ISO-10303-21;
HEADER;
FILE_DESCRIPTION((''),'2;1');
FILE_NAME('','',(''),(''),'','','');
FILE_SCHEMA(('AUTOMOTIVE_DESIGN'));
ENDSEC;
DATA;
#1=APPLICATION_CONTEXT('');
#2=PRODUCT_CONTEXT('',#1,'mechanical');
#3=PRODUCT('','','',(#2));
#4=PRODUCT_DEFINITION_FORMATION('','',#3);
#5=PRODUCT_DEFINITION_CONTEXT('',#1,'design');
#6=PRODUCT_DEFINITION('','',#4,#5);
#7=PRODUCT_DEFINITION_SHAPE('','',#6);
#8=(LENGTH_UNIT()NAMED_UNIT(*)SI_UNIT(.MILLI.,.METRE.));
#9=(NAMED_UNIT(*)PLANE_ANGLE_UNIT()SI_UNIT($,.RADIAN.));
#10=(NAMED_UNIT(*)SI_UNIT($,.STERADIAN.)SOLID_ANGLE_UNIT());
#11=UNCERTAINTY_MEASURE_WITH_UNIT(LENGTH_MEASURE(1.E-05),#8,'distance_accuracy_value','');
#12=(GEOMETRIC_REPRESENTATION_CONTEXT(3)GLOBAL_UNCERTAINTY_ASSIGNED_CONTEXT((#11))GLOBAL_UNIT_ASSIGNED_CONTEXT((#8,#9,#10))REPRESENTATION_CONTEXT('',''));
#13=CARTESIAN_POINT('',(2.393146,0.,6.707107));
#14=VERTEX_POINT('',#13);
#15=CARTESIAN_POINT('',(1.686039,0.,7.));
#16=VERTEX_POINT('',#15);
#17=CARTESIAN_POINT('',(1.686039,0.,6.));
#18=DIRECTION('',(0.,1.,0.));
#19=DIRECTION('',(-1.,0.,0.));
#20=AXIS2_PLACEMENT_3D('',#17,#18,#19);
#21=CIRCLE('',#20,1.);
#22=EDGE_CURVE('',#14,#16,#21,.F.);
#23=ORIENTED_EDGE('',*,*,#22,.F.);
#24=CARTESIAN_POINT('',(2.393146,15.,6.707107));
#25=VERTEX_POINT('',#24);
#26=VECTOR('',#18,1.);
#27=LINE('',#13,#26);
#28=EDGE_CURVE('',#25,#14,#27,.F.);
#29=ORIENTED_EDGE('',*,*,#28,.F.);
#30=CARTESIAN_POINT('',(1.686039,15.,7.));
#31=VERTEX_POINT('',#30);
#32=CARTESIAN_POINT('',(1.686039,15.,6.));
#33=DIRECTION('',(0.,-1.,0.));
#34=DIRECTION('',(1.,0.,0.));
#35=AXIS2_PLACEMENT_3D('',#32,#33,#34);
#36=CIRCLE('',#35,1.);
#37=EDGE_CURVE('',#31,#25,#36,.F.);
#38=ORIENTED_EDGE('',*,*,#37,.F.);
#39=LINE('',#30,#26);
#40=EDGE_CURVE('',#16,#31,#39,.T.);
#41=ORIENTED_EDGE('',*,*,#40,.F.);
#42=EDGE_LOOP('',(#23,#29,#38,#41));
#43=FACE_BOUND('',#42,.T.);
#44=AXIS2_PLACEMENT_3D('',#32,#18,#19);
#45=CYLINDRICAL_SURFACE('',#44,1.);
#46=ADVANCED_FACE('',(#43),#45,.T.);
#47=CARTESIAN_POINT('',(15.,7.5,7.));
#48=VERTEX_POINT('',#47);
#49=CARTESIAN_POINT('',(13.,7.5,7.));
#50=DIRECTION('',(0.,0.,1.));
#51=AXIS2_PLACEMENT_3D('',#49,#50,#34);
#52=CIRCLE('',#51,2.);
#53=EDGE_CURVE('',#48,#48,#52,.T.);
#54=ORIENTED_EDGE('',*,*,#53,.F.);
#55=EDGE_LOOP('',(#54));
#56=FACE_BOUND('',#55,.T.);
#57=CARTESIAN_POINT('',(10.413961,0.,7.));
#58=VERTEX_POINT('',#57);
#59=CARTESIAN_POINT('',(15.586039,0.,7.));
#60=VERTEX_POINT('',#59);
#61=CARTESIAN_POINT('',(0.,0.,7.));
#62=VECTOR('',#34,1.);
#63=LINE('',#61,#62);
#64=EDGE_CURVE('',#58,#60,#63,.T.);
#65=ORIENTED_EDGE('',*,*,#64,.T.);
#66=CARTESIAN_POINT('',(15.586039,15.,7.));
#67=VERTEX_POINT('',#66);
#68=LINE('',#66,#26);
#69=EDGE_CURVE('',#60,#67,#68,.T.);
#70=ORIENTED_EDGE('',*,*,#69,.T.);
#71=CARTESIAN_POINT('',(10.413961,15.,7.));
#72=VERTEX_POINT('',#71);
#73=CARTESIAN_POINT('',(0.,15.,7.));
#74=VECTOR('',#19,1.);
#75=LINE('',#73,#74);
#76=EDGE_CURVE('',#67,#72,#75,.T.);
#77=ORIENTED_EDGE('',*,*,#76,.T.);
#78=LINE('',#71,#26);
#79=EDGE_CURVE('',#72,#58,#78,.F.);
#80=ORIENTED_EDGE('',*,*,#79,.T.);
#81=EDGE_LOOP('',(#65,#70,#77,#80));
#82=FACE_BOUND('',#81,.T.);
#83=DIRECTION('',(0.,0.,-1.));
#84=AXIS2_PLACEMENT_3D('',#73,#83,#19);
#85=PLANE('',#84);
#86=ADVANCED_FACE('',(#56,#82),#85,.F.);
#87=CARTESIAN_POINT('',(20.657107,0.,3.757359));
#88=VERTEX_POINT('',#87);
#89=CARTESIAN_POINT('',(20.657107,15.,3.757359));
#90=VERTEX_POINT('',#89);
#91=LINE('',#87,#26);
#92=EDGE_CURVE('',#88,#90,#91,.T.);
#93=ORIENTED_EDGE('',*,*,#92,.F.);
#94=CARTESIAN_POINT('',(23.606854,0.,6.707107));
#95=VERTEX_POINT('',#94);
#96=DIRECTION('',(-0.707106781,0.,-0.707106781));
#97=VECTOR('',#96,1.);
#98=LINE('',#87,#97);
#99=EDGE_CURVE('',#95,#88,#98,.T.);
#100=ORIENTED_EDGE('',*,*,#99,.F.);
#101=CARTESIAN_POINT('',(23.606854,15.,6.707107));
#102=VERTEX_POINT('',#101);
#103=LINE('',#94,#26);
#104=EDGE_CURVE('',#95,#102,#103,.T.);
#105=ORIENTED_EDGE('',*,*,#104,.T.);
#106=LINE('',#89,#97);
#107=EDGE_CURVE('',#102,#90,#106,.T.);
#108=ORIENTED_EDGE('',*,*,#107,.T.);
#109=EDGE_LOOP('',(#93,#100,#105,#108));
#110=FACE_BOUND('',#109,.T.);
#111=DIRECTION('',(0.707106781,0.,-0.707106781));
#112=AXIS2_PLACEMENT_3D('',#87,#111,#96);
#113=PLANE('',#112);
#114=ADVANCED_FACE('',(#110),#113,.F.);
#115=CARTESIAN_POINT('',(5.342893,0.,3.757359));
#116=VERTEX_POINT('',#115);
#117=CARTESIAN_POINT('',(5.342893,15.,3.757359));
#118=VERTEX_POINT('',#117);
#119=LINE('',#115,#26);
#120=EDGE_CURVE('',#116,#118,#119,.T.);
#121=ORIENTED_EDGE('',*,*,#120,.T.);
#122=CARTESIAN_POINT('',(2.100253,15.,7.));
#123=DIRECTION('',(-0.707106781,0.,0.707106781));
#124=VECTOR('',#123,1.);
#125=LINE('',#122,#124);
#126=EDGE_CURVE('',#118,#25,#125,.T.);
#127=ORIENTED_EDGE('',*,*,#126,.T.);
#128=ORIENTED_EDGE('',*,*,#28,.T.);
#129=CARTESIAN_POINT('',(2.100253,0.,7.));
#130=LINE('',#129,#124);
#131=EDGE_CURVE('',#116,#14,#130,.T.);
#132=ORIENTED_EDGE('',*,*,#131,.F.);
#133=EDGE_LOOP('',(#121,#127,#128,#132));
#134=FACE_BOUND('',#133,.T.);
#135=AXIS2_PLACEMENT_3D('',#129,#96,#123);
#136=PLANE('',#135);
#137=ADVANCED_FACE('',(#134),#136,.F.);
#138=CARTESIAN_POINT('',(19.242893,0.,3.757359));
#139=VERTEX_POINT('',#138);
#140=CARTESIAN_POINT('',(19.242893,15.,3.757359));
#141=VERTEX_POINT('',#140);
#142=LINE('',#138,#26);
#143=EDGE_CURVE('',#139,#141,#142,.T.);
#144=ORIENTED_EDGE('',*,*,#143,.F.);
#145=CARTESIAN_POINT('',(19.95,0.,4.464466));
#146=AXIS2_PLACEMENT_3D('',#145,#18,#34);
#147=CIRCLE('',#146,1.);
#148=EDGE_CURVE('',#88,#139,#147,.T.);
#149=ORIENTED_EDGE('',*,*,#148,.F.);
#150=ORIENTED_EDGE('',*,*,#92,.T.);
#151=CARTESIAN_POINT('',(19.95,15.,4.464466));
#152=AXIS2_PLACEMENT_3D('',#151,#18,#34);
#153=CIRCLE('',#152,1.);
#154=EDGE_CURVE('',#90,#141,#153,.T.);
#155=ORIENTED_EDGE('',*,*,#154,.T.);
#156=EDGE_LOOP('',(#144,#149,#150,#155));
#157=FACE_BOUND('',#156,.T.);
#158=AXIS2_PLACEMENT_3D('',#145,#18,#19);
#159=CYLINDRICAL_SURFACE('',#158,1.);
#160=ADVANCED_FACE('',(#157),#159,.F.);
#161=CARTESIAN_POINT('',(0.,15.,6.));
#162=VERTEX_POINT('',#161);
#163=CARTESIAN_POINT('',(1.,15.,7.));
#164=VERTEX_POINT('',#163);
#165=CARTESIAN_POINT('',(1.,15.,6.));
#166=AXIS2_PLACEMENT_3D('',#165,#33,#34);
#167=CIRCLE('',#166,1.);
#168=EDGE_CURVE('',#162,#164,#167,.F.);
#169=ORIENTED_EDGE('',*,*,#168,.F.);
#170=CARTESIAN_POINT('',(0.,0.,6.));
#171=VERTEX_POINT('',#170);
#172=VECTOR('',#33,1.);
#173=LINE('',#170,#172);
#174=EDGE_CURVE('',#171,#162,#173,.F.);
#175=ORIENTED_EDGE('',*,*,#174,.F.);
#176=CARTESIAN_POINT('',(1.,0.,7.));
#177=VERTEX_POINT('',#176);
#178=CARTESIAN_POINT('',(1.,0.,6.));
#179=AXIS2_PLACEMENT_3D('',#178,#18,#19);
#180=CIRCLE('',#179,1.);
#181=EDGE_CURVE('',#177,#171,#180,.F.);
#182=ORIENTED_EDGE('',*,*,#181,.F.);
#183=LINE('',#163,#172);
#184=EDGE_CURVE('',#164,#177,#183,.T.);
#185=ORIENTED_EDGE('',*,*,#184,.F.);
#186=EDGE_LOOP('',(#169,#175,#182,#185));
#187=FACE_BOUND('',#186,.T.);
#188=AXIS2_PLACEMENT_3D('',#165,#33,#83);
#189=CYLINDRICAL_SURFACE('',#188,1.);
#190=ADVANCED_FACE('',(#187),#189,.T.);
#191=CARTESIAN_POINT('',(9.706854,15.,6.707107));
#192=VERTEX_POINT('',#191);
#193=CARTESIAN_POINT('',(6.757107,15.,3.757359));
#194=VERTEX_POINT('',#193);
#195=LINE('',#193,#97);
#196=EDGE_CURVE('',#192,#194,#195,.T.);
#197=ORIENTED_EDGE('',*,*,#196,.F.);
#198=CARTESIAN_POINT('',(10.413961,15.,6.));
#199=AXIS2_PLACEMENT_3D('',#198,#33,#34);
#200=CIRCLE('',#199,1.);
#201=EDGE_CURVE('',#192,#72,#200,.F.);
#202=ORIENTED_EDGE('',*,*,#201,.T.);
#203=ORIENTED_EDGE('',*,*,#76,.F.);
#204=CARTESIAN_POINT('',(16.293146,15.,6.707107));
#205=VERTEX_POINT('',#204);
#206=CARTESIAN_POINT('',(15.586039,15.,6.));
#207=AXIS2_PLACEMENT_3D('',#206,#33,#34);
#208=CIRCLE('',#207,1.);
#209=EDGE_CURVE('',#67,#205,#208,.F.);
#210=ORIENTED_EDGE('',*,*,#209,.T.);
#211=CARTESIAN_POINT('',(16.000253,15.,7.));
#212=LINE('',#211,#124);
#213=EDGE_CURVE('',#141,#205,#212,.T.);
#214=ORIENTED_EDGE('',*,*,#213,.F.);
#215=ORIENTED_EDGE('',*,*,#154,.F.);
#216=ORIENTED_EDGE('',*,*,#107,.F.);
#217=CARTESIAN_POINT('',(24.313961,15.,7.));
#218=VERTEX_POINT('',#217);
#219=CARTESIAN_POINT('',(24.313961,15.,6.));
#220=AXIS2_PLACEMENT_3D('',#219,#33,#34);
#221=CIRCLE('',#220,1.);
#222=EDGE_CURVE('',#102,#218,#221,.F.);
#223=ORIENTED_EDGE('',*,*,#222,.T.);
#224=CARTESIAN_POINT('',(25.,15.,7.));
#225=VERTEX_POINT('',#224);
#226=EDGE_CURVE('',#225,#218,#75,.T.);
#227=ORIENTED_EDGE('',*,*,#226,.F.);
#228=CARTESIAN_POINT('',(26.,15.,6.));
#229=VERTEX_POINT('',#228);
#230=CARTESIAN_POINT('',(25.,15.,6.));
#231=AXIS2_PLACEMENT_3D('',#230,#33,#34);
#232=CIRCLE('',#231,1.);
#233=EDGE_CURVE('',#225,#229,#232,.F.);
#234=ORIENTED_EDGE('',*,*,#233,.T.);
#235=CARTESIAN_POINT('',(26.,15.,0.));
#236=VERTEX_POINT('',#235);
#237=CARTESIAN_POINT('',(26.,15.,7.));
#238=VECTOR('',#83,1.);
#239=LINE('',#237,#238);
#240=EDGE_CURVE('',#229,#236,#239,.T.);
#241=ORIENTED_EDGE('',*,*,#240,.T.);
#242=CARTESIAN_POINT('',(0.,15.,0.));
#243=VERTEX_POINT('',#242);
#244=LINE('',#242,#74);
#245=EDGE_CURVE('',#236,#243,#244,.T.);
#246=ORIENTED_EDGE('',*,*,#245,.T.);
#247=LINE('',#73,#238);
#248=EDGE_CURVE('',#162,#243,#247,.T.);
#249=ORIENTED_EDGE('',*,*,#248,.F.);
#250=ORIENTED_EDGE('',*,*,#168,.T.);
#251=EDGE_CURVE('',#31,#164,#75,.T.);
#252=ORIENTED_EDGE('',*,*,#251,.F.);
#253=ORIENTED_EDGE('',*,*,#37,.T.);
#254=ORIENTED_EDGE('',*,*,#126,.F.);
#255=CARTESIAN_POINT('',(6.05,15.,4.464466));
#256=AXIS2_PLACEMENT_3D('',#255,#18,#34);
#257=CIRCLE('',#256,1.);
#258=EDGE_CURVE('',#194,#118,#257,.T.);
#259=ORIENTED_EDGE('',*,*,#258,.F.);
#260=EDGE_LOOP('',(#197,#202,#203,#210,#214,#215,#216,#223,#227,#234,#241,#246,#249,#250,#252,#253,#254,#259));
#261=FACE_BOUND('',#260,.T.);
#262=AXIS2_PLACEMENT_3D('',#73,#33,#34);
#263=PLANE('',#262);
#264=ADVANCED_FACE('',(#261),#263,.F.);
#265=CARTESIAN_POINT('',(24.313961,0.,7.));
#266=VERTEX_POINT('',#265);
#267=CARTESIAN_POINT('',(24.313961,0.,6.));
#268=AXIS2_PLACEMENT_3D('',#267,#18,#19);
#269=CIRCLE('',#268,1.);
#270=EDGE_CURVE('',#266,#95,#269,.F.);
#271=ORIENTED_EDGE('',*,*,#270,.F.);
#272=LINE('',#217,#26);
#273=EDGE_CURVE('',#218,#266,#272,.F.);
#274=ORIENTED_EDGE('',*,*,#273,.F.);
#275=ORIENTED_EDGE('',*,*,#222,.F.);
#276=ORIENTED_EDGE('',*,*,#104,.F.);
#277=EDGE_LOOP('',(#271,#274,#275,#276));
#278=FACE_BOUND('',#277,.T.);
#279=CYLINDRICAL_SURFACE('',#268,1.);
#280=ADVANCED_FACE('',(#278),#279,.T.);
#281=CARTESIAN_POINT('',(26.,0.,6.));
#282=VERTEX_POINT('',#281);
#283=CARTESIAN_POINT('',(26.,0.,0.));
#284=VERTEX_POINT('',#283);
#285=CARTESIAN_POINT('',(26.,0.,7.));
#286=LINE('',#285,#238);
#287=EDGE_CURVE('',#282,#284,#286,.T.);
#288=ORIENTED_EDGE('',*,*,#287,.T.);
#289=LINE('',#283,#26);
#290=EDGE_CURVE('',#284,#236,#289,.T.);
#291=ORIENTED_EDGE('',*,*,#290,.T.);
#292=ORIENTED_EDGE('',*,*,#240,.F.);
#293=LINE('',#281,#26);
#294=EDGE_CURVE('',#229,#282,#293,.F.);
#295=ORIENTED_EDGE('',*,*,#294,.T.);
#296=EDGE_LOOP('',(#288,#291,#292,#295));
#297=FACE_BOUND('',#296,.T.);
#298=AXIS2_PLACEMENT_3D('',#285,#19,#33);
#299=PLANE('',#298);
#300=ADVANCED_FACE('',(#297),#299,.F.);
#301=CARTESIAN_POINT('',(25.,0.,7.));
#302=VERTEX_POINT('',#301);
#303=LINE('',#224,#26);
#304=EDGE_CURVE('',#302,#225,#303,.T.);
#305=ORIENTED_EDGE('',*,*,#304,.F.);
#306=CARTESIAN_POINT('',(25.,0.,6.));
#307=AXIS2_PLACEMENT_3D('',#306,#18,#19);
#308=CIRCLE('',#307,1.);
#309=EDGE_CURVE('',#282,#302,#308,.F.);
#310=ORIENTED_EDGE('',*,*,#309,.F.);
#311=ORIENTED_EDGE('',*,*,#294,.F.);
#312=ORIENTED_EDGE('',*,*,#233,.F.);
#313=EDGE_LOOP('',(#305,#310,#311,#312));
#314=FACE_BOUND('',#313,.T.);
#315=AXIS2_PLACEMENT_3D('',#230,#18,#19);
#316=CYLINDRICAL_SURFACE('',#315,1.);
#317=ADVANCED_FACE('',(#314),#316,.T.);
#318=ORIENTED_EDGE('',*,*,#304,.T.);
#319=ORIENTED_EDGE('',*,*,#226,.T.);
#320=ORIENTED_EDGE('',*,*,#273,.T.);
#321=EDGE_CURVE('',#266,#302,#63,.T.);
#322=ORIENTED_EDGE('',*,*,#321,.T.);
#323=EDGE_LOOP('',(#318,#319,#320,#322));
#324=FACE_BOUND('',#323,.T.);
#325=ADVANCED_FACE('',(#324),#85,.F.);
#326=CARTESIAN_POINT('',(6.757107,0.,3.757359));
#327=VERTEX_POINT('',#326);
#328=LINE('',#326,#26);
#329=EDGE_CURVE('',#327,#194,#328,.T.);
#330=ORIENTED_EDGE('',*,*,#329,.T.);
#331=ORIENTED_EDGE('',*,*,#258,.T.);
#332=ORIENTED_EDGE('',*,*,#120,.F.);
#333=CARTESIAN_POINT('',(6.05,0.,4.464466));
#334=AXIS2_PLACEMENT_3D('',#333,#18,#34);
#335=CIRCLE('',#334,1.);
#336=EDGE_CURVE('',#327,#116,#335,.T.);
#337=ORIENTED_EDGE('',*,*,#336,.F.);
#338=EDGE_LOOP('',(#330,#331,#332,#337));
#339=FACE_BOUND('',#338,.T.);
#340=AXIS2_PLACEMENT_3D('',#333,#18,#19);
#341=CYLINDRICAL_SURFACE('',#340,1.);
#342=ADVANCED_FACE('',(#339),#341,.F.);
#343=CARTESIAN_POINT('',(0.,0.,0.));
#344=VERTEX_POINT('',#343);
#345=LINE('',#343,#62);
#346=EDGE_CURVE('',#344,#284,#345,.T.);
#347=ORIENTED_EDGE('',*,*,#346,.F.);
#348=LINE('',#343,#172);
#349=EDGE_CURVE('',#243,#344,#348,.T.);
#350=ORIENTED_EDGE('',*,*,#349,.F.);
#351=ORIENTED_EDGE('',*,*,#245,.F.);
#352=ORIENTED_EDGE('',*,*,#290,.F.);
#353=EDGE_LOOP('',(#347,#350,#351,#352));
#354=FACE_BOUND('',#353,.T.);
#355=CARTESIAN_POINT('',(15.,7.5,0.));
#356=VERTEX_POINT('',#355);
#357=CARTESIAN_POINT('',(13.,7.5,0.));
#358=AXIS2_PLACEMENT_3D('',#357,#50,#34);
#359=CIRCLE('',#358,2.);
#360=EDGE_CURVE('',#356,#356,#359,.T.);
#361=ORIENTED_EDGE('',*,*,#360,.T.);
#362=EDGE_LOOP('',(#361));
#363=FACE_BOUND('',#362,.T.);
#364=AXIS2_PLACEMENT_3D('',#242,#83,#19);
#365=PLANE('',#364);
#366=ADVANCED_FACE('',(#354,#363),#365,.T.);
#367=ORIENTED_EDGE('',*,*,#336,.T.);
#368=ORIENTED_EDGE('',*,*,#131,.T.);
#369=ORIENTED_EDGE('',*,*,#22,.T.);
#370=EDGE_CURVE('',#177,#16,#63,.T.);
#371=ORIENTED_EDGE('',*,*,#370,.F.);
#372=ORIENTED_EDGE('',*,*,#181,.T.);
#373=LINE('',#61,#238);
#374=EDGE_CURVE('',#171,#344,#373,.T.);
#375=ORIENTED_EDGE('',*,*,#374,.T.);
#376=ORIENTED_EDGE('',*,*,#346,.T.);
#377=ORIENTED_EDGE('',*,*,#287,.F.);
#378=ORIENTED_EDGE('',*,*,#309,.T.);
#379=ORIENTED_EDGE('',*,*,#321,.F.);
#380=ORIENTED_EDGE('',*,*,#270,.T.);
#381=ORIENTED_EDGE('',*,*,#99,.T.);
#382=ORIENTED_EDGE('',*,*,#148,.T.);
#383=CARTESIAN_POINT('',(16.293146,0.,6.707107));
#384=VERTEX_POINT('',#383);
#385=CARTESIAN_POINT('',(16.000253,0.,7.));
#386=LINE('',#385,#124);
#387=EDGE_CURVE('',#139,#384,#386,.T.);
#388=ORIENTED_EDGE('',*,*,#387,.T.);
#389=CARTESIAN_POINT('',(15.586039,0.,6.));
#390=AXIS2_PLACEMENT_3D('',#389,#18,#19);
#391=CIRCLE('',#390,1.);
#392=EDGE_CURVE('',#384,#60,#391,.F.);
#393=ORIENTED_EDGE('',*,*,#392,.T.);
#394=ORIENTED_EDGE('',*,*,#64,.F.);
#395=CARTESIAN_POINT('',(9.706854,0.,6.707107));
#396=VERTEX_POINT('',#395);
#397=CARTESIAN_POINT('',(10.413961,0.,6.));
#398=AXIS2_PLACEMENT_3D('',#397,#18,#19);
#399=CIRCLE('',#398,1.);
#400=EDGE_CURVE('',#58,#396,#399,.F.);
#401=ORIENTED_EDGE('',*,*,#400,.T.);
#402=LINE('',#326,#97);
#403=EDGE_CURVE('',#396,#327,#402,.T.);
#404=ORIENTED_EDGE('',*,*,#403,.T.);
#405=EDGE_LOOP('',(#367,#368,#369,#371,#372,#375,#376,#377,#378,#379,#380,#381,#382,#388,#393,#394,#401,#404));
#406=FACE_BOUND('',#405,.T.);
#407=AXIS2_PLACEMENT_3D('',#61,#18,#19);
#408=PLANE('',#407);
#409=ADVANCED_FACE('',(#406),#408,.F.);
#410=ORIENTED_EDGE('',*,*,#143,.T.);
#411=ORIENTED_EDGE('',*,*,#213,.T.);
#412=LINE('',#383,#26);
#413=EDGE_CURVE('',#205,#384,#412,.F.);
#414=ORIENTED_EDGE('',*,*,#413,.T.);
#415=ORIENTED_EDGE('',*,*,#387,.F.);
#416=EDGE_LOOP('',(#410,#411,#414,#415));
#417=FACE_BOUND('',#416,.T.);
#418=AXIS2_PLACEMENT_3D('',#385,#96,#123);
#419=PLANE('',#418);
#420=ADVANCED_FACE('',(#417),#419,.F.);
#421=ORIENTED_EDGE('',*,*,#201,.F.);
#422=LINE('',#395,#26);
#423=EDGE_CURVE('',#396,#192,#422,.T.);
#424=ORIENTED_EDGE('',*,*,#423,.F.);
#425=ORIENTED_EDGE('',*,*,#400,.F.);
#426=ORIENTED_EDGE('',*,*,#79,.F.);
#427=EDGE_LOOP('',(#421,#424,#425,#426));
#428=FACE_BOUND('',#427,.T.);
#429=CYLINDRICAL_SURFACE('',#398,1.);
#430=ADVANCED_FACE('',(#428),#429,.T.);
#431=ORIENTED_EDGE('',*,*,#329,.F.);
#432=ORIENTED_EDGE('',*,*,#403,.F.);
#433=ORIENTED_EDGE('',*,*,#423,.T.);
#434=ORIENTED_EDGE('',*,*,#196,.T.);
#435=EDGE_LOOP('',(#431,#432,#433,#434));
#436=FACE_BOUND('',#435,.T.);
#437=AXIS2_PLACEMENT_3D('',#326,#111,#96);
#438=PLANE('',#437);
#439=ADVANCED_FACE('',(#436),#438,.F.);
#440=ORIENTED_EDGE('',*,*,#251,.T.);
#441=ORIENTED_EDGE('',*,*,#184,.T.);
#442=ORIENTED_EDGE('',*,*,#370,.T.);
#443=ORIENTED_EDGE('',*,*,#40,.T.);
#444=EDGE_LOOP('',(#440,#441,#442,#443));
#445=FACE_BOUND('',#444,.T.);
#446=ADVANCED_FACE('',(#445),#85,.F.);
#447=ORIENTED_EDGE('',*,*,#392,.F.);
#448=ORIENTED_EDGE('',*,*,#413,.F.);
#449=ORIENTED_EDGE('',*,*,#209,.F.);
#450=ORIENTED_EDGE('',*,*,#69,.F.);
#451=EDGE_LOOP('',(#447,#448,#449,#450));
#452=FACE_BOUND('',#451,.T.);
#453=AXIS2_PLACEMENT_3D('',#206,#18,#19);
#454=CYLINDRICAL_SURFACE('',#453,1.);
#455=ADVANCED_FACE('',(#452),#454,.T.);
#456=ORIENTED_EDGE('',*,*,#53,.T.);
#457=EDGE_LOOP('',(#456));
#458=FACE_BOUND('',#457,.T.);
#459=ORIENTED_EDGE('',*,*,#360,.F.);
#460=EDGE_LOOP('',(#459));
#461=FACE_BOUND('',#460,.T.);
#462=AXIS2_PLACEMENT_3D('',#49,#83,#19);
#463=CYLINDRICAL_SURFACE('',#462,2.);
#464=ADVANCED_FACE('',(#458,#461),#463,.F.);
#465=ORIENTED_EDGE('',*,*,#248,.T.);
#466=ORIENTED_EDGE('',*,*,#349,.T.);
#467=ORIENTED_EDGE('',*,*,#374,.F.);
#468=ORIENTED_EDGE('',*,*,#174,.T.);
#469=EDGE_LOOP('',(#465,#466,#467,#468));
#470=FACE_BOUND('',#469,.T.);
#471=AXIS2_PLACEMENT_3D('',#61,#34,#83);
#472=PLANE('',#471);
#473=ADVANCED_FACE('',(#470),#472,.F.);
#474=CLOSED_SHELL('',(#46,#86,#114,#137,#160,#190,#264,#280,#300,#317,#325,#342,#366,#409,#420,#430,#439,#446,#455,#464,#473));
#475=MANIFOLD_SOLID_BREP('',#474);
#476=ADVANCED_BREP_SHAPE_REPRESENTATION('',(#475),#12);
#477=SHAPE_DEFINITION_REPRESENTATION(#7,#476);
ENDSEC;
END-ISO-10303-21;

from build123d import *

# Parameters (mm, degrees)
SKETCH1_W           = 26
SKETCH1_H           = 15
SKETCH1_R           = 2
BOSS_EXTRUDE1_DEPTH = 7
CUT_EXTRUDE1_DEPTH  = 16
FILLET1_R           = 1


with BuildPart() as part:
    # Sketch1 → Boss-Extrude1 (new body)
    with BuildSketch(Plane.XY):
        with Locations((13, 7.5)):
            Rectangle(SKETCH1_W, SKETCH1_H)
        with Locations((13, 7.5)):
            Circle(SKETCH1_R, mode=Mode.SUBTRACT)
    extrude(amount=BOSS_EXTRUDE1_DEPTH)

    # Sketch2 → Cut-Extrude1 (cut, through all)
    with BuildSketch(Plane(origin=(0, 15, 0), x_dir=(1, 0, 0), z_dir=(0, 1, 0))):
        with BuildLine():
            Line((2.100252532, -7), (5.342893219, -3.757359313))
            ThreePointArc((5.342893219, -3.757359313), (6.05, -3.464466094), (6.757106781, -3.757359313))
            Line((6.757106781, -3.757359313), (9.999747468, -7))
            Line((9.999747468, -7), (2.100252532, -7))
        make_face()
        with BuildLine():
            Line((16.000252532, -7), (19.242893219, -3.757359313))
            ThreePointArc((19.242893219, -3.757359313), (19.95, -3.464466094), (20.657106781, -3.757359313))
            Line((20.657106781, -3.757359313), (23.899747468, -7))
            Line((23.899747468, -7), (16.000252532, -7))
        make_face()
    extrude(amount=-CUT_EXTRUDE1_DEPTH, mode=Mode.SUBTRACT)

    # Fillet1
    fillet1_edges = [part.edges().sort_by_distance(p)[0] for p in [
        (26, 7.5, 7),
        (9.999747468, 7.5, 7),
        (2.100252532, 7.5, 7),
        (23.899747468, 7.5, 7),
        (16.000252532, 7.5, 7),
        (0, 7.5, 7),
    ]]
    fillet(fillet1_edges, radius=FILLET1_R)


solid = part.part
